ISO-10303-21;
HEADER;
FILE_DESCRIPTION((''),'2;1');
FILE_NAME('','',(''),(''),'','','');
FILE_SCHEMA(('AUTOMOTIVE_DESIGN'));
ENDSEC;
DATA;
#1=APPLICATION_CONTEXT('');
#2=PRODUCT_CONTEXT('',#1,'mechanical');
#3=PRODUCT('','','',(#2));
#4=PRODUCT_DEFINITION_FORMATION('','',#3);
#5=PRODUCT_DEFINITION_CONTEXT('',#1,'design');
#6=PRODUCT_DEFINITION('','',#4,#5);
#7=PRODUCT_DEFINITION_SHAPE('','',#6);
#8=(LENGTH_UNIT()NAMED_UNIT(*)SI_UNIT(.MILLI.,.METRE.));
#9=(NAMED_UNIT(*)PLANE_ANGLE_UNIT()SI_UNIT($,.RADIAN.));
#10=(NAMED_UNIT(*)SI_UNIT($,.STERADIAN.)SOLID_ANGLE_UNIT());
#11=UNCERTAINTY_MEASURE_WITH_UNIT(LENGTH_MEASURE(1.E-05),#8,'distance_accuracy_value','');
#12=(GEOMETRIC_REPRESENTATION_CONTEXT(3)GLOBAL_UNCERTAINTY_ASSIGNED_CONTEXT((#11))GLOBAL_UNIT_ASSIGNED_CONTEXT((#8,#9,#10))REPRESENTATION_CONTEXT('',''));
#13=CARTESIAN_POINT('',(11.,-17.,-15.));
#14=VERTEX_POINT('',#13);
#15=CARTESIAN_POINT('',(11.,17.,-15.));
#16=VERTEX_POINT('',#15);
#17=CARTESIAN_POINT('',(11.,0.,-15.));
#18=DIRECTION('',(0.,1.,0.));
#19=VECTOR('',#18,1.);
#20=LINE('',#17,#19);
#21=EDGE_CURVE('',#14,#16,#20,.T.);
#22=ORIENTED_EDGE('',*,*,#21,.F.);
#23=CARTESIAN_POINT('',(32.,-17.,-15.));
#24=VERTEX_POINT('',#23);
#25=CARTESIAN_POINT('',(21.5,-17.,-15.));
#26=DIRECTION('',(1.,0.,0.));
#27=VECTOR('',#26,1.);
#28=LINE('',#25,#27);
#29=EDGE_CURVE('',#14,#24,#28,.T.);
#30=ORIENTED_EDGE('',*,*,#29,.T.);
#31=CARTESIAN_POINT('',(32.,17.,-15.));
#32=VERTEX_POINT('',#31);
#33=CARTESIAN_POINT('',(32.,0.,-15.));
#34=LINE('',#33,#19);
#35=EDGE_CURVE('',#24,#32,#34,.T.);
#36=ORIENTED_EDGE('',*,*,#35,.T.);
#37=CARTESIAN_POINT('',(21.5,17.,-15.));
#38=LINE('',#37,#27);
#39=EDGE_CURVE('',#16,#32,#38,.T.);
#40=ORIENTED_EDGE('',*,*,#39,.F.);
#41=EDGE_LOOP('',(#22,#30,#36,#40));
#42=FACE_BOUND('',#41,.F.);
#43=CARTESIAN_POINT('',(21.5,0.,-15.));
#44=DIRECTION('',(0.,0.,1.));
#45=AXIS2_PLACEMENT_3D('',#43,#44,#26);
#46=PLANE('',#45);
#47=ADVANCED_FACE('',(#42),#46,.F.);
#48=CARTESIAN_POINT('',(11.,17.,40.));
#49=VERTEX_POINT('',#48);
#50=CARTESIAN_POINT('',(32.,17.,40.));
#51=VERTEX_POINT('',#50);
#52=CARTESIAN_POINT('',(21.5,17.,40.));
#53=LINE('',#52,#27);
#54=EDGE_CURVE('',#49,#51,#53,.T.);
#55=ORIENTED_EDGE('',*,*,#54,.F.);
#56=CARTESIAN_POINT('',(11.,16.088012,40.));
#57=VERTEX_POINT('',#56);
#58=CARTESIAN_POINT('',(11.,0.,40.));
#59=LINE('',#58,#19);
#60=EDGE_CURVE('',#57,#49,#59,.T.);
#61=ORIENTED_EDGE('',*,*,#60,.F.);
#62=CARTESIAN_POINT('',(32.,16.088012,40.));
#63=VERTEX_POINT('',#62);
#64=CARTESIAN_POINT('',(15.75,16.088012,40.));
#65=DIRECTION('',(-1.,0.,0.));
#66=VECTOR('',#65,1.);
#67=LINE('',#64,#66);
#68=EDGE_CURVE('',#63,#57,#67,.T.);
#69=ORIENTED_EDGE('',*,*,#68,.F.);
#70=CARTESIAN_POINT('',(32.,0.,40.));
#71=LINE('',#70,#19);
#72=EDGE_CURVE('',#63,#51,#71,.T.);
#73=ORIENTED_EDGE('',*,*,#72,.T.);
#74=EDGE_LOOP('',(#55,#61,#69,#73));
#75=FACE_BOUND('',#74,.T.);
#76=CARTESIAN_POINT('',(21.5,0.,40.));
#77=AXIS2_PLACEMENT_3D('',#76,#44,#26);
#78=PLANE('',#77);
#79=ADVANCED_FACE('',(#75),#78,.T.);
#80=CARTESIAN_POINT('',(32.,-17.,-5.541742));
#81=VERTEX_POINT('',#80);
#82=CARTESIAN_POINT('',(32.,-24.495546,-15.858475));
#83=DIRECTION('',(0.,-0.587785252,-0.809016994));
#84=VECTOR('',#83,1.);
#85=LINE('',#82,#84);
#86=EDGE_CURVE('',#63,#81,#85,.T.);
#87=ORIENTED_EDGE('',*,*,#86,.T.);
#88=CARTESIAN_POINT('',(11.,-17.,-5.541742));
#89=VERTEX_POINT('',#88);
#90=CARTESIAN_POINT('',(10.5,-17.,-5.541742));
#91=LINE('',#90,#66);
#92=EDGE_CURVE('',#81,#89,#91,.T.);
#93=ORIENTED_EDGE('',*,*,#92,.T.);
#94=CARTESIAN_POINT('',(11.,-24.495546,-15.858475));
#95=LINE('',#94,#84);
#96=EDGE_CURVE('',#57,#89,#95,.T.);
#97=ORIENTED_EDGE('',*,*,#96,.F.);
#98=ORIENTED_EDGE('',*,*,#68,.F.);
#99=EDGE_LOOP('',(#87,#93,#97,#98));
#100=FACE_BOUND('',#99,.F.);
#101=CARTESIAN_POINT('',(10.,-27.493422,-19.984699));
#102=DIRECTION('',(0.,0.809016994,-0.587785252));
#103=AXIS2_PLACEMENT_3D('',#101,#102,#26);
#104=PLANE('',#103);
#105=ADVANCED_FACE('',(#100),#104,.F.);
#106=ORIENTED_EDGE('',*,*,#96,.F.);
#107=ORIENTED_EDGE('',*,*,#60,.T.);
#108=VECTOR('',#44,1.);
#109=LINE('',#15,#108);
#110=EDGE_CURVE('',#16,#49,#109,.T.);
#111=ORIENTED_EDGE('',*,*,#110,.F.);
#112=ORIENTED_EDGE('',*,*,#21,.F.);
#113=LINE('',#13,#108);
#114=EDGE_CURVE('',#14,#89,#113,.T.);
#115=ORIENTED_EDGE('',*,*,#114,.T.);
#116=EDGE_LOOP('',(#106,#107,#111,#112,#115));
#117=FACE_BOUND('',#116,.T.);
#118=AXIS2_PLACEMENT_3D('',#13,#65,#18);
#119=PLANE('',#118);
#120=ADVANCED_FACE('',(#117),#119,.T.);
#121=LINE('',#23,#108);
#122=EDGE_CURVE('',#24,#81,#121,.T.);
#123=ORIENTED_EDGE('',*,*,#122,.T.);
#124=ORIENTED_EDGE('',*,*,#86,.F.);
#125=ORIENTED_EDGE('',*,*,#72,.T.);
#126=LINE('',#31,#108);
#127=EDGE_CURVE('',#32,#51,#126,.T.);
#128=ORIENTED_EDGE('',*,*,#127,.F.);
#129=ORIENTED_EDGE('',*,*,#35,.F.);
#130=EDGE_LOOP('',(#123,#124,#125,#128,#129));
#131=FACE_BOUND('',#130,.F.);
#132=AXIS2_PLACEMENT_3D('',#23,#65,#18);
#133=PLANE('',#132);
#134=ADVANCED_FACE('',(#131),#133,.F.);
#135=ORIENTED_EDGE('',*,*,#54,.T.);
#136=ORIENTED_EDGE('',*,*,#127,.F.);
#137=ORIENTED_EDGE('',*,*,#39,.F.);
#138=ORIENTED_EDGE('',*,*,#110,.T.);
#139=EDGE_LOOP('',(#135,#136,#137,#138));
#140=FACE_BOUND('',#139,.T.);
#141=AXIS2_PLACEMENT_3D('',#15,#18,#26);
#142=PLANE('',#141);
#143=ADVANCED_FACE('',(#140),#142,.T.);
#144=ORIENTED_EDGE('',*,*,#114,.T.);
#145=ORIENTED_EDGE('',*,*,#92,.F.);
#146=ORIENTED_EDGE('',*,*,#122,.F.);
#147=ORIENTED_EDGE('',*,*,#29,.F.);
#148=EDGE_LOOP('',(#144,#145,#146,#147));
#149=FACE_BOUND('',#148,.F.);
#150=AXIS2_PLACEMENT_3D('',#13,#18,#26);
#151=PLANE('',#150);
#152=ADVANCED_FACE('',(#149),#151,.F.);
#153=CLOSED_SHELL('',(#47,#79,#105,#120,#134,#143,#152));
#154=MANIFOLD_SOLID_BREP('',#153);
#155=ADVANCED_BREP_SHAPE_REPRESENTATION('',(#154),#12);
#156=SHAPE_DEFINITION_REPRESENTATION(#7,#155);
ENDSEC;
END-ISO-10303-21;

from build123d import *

# Parameters (mm, degrees)
BOX112015002004_W          = 23
BOX112015002004_H          = 34
BOX112015002004_DEPTH      = 80
BOX112015002004_ROLL_ANGLE = -36
BOX112015002003_W          = 21
BOX112015002003_H          = 34
BOX112015002003_DEPTH      = 55


with BuildPart() as cube074:
    # Box112015002004 → Box112015002004 (new body)
    with BuildSketch(Plane.XY):
        with Locations((11.5, 17)):
            Rectangle(BOX112015002004_W, BOX112015002004_H)
    extrude(amount=BOX112015002004_DEPTH)


with BuildPart() as cube074_1:
    # Box112015002004 roll: moved
    add(cube074.part.rotate(Axis((0, 0, 0), (1, 0, 0)), BOX112015002004_ROLL_ANGLE))


with BuildPart() as cube074_2:
    # Box112015002004 placement: moved
    add(cube074_1.part.moved(Location((10, -55, 0))))


with BuildPart() as cut130:
    # Box112015002003 → Box112015002003 (new body)
    with BuildSketch(Plane(origin=(11, -17, -15), x_dir=(1, 0, 0), z_dir=(0, 0, 1))):
        with Locations((10.5, 17)):
            Rectangle(BOX112015002003_W, BOX112015002003_H)
    extrude(amount=BOX112015002003_DEPTH)

    # Cut130: cut Cube074
    add(cube074_2.part, mode=Mode.SUBTRACT)


solid = cut130.part
